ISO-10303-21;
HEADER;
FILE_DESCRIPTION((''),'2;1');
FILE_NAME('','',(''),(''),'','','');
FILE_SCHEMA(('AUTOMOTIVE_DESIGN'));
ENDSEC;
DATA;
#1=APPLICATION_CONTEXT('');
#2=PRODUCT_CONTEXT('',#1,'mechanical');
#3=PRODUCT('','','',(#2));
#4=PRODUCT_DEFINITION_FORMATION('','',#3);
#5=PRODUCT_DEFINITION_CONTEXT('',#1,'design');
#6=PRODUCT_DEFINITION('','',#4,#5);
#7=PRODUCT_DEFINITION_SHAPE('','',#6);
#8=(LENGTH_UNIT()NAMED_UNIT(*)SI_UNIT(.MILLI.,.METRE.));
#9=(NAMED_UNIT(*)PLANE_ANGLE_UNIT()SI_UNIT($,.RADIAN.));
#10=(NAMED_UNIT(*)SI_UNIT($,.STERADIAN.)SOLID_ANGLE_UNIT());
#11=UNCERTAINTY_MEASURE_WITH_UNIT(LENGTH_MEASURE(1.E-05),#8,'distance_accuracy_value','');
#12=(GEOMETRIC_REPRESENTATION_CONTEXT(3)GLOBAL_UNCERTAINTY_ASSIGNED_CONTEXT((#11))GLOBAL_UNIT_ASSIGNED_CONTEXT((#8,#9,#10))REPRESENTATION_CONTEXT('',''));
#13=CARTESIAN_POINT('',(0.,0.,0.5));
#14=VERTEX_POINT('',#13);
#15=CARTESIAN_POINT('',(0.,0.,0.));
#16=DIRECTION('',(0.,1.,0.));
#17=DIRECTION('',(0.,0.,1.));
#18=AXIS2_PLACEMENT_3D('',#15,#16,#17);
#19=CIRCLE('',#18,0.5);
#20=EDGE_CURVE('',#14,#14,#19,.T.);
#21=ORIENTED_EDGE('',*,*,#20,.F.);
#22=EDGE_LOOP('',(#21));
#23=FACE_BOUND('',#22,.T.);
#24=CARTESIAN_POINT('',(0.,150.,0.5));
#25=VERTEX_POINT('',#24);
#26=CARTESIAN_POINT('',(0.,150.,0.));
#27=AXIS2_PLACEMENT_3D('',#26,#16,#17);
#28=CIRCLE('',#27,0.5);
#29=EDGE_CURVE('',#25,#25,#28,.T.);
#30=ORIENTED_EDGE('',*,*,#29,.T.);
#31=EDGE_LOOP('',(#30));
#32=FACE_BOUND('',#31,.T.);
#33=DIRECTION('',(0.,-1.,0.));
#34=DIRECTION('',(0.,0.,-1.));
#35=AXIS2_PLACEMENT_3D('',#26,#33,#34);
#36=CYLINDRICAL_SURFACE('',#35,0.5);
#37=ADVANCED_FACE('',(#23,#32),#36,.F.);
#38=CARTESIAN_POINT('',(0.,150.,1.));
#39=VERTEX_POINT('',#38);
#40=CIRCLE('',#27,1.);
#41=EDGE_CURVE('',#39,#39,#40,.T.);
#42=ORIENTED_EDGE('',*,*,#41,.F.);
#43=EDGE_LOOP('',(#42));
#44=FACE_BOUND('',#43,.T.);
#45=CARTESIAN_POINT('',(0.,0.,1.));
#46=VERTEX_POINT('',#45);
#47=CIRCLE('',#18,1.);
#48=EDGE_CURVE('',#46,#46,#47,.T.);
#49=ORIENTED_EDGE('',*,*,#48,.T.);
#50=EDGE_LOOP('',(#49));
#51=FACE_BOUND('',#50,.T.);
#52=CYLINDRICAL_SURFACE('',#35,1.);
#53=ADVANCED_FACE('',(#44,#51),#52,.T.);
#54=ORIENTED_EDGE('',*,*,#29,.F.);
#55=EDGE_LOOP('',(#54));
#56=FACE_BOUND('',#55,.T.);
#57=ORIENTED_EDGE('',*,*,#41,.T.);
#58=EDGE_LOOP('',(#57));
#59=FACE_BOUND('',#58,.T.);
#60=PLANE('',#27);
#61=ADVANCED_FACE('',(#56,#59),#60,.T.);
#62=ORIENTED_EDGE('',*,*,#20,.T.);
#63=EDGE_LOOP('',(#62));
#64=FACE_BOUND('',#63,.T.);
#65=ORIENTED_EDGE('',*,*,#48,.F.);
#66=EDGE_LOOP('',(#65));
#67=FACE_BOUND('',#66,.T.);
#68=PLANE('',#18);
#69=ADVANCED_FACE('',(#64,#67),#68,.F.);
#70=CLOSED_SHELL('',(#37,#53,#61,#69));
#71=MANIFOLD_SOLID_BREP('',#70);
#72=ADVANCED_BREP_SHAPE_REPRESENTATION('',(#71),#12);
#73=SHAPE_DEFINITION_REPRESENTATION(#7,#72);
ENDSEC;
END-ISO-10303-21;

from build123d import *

# Parameters (mm, degrees)
SKETCH_1_R      = 1
SKETCH_1_R_2    = 0.5
EXTRUDE_1_DEPTH = 150


with BuildPart() as part:
    # 草图1 → 凸台-拉伸1 (new body)
    with BuildSketch(Plane(origin=(0, 0, 0), x_dir=(1, 0, 0), z_dir=(0, 1, 0))):
        with Locations(Location((0, 0, 0), (0, 0, 270))):
            Circle(SKETCH_1_R)
        with Locations(Location((0, 0, 0), (0, 0, 270))):
            Circle(SKETCH_1_R_2, mode=Mode.SUBTRACT)
    extrude(amount=EXTRUDE_1_DEPTH)


solid = part.part
